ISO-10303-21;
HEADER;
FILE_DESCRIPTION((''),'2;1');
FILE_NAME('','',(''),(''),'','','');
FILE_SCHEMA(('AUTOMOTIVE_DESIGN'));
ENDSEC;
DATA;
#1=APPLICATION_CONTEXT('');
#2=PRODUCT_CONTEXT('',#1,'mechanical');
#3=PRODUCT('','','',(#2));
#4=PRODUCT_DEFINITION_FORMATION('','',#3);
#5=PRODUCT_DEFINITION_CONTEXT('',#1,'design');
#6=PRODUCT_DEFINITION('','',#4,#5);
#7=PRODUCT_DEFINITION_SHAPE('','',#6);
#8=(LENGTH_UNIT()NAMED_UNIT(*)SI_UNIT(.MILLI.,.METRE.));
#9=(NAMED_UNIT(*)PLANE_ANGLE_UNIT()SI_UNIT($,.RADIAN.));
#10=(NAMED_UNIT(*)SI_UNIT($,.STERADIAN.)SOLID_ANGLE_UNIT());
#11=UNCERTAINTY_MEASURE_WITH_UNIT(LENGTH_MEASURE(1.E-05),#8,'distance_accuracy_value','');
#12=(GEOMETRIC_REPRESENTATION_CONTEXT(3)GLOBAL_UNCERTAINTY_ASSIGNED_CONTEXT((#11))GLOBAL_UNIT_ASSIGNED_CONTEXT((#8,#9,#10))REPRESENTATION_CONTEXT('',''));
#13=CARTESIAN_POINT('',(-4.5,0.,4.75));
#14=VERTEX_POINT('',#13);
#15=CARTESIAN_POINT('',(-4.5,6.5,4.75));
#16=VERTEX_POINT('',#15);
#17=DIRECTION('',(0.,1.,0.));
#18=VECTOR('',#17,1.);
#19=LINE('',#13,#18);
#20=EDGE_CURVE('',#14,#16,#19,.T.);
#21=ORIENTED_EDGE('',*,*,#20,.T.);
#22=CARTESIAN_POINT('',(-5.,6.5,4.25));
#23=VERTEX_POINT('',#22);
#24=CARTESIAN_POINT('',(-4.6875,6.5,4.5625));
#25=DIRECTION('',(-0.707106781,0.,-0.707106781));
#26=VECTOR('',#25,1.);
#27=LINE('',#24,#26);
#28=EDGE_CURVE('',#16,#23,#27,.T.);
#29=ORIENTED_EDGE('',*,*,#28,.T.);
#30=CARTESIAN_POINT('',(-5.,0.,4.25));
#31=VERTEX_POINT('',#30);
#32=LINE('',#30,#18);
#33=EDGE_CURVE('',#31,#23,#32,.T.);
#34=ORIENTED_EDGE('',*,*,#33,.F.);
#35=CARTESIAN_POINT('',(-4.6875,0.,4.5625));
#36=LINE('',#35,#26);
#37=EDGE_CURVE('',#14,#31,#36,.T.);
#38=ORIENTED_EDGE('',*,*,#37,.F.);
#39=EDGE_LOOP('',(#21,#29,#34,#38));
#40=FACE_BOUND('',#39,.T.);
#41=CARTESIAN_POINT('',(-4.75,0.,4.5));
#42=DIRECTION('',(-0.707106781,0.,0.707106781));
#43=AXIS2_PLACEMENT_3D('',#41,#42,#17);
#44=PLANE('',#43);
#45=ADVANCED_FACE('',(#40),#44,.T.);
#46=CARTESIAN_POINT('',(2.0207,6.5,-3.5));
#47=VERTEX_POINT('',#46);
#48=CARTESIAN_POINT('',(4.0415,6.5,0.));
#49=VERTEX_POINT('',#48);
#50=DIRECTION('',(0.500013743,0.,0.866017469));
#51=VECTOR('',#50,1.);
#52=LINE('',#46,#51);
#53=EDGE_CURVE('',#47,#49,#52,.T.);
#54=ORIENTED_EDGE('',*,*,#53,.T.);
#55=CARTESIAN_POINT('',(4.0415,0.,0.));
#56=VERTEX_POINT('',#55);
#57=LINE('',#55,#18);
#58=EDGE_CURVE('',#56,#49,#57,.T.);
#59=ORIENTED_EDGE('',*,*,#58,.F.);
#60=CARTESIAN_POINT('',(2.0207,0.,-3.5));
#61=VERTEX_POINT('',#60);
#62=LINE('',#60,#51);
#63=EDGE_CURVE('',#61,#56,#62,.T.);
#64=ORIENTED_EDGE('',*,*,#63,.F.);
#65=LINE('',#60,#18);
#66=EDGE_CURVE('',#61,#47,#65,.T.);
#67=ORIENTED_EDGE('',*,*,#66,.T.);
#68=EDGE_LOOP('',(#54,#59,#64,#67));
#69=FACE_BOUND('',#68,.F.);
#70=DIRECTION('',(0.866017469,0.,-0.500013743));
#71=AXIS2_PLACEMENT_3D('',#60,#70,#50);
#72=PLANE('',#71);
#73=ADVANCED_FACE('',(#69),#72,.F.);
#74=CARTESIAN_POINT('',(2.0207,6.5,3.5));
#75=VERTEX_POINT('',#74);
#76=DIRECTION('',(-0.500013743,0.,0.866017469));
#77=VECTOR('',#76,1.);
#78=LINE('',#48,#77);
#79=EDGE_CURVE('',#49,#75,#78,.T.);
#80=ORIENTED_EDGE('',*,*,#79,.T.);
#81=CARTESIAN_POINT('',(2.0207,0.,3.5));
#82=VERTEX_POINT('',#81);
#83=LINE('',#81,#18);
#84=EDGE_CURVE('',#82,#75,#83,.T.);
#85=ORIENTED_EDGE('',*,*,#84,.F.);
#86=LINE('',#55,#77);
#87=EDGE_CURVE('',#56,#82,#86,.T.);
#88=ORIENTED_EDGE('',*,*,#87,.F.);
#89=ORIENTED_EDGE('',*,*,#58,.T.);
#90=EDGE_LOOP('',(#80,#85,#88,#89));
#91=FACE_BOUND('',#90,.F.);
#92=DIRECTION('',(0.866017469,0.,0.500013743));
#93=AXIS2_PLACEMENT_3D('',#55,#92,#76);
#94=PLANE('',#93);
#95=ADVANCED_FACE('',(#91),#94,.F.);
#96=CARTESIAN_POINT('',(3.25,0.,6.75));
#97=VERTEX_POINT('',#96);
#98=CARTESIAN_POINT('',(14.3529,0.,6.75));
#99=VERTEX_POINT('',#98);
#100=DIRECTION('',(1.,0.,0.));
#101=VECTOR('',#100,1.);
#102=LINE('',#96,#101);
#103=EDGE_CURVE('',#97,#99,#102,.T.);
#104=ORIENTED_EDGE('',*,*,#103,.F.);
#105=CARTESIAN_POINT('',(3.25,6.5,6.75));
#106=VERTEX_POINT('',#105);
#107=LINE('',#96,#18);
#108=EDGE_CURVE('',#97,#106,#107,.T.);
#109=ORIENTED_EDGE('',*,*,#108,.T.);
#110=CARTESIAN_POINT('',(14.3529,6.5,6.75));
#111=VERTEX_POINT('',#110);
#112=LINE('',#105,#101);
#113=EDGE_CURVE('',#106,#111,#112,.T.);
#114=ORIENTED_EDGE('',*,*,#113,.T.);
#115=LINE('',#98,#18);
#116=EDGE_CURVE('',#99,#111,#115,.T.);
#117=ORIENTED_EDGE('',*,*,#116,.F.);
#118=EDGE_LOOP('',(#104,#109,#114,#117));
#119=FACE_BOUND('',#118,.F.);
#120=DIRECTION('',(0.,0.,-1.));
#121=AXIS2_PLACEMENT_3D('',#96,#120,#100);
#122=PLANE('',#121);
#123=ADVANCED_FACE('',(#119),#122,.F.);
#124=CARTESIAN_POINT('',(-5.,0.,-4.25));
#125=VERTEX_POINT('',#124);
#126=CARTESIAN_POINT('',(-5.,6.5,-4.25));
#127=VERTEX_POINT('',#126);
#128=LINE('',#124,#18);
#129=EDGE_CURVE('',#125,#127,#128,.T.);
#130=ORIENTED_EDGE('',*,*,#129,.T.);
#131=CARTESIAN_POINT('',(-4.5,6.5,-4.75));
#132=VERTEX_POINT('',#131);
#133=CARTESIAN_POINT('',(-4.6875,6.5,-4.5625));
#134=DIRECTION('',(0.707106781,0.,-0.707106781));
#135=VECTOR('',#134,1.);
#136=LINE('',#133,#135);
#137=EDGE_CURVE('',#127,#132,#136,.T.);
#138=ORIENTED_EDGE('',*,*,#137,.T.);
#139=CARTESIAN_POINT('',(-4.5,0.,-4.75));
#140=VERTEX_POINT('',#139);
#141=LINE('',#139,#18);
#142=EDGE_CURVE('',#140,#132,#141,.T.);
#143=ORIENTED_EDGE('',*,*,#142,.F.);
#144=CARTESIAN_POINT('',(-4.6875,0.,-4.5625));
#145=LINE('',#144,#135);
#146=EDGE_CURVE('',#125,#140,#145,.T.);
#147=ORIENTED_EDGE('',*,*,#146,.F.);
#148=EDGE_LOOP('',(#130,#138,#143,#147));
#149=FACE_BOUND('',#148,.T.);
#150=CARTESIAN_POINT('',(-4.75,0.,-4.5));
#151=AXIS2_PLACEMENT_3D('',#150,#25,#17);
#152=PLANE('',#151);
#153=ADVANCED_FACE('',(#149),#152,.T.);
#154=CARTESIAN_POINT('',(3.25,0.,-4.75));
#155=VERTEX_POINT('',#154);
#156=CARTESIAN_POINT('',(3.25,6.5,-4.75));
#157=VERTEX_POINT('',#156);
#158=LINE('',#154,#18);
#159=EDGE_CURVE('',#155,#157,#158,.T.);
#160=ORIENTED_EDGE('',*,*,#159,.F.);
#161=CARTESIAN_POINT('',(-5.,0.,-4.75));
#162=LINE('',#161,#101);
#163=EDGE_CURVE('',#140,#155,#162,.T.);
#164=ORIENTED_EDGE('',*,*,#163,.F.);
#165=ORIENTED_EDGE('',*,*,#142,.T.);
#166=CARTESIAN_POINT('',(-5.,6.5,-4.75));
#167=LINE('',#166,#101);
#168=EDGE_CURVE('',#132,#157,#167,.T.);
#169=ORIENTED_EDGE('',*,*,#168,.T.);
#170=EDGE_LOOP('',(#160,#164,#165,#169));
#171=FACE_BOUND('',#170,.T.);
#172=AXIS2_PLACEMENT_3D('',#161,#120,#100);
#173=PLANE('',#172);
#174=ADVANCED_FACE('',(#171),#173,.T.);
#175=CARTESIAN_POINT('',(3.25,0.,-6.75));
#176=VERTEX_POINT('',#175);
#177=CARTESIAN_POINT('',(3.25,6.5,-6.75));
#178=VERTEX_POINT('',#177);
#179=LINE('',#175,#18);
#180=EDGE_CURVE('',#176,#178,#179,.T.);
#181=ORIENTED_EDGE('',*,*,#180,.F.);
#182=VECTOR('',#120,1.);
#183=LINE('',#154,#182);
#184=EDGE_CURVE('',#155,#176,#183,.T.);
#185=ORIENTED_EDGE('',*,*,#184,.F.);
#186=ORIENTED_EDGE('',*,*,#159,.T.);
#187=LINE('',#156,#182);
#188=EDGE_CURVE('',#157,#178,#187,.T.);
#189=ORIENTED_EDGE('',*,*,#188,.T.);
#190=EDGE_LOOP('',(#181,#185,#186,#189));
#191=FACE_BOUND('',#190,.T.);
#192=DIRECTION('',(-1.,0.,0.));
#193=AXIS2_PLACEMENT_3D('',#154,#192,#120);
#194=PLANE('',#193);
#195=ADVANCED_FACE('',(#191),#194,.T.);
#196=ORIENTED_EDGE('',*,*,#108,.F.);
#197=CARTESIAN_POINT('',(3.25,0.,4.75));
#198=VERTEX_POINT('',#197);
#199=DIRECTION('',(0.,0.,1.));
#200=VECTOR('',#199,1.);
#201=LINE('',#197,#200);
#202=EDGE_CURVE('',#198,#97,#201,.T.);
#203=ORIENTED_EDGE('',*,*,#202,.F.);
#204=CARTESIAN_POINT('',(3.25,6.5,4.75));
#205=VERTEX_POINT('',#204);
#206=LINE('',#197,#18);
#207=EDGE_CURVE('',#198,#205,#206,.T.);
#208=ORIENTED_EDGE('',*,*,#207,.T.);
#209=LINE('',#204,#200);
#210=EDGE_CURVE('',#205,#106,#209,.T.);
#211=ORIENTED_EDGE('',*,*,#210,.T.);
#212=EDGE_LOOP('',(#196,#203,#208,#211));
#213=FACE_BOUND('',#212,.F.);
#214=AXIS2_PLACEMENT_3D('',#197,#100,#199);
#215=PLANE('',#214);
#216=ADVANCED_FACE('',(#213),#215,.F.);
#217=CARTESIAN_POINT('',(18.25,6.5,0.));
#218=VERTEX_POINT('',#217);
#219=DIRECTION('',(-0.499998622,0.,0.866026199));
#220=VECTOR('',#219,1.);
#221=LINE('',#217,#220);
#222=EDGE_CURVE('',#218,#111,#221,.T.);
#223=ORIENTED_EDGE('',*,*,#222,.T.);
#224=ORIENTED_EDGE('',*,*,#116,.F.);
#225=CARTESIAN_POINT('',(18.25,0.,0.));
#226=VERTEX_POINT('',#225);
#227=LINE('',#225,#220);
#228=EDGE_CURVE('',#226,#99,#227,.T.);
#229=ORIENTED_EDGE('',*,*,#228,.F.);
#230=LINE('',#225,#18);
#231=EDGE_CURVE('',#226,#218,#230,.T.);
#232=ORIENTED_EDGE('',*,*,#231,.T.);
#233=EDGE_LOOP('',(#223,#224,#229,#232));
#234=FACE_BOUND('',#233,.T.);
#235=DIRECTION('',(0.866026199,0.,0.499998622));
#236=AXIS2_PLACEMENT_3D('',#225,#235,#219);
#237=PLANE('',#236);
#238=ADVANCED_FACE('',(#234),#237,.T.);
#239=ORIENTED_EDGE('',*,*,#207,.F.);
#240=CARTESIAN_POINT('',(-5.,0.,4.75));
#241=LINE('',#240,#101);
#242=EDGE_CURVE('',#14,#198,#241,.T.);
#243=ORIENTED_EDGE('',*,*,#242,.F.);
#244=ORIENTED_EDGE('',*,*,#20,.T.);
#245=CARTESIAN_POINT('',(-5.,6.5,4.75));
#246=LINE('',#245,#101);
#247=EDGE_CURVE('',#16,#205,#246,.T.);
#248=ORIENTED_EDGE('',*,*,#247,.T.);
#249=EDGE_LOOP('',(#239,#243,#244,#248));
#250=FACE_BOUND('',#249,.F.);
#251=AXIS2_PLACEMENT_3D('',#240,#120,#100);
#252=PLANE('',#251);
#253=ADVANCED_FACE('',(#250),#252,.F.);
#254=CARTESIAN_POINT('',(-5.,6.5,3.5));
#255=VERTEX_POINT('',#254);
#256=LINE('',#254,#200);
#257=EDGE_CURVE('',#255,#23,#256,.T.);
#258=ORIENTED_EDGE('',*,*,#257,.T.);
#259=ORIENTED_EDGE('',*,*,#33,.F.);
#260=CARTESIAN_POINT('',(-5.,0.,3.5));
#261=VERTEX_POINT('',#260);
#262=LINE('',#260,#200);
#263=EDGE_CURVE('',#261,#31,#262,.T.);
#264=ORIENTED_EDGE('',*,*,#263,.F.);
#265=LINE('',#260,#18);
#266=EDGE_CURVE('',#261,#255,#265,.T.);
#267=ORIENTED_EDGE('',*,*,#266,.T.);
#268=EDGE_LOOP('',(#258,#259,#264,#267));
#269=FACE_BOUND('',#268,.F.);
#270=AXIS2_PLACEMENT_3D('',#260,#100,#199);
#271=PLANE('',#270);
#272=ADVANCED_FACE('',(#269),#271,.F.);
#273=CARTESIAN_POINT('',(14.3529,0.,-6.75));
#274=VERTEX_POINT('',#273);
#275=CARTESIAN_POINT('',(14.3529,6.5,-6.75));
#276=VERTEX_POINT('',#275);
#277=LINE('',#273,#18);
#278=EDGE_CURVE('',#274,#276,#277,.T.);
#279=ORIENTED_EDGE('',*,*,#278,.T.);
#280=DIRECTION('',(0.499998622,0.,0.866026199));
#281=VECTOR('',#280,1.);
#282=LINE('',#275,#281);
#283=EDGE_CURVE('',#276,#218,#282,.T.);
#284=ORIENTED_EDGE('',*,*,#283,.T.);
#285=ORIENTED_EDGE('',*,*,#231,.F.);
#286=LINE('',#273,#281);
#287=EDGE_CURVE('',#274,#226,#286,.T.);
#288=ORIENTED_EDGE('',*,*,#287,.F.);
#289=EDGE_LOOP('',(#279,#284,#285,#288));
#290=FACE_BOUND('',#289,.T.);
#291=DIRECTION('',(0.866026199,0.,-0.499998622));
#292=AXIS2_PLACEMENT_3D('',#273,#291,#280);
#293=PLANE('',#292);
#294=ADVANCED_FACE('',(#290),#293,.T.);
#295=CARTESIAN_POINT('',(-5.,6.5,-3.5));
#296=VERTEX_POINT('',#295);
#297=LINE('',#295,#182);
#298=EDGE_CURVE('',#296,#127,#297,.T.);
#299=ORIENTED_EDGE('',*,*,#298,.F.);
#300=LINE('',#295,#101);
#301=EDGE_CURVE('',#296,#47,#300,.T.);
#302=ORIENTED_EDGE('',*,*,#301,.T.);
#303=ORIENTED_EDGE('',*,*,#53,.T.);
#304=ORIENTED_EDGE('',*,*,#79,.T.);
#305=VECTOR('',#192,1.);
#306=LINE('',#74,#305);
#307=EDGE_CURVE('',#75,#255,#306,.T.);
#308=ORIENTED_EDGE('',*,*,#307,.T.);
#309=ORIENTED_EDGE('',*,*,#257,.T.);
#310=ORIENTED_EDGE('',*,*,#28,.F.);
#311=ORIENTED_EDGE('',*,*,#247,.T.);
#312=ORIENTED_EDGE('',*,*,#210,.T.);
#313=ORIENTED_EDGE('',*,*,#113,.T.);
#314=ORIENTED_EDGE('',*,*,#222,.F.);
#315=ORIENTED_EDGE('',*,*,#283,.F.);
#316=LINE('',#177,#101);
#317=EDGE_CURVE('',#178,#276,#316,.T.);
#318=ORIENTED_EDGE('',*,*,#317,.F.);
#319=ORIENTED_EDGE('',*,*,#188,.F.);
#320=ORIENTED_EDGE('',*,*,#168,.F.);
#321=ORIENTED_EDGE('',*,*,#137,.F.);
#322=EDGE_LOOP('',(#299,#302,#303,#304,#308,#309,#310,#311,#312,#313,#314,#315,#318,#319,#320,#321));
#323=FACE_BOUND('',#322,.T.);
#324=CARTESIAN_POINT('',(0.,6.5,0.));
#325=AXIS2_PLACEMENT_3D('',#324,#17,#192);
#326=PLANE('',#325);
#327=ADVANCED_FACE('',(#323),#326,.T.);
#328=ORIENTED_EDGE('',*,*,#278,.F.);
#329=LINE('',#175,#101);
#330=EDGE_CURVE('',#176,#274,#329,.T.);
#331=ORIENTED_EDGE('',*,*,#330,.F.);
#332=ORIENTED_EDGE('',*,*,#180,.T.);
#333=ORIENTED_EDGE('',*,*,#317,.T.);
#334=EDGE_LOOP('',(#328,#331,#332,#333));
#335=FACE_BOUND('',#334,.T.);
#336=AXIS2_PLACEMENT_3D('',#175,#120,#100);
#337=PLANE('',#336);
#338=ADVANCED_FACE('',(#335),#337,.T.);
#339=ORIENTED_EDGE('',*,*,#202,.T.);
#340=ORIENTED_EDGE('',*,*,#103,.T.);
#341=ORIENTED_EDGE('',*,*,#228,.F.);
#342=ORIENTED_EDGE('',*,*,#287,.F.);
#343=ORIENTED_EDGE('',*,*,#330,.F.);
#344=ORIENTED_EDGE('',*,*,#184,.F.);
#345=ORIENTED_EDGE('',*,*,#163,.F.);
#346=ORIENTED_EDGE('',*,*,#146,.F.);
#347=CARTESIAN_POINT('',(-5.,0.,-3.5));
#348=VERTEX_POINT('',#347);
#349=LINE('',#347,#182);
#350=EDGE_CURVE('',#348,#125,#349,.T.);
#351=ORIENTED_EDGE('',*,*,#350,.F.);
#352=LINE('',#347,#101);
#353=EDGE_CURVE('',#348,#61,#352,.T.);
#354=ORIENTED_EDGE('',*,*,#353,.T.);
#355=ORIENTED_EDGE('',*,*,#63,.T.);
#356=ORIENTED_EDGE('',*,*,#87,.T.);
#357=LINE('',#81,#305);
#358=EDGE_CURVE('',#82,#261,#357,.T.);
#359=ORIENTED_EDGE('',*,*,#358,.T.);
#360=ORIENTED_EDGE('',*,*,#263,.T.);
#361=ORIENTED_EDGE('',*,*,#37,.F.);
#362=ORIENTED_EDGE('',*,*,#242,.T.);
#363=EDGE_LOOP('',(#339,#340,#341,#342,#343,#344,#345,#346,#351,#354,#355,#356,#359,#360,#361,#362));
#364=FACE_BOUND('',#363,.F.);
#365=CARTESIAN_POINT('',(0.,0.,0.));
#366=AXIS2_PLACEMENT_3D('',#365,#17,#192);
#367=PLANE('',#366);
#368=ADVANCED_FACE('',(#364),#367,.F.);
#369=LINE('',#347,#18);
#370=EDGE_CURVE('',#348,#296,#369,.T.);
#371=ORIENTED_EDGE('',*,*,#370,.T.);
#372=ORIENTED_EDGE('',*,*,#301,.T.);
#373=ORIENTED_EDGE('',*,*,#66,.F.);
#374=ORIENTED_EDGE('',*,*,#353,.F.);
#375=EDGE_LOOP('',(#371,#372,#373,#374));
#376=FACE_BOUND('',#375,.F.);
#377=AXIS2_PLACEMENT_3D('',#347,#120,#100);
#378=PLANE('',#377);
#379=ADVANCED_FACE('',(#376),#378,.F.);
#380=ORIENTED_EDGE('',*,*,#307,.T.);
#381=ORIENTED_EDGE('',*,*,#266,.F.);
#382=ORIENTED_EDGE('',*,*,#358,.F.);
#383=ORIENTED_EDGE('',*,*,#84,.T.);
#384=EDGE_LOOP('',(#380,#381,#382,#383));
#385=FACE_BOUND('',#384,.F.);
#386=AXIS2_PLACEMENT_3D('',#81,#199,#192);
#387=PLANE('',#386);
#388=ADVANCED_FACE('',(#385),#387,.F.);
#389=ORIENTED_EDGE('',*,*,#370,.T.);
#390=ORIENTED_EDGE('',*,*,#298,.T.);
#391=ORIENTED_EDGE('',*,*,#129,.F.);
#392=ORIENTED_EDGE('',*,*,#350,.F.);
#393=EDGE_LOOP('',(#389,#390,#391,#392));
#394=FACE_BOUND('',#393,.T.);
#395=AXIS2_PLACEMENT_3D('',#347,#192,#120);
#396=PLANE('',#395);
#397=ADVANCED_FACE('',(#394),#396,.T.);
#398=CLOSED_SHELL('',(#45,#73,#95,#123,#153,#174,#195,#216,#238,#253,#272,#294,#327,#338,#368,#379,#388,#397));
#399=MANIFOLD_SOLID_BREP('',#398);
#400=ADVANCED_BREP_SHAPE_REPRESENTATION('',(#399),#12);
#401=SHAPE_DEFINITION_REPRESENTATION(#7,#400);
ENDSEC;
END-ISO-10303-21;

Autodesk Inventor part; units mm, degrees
ref_plane "YZ Plane" through (0, 0, 0) normal (1, 0, 0) x (0, 1, 0)
ref_plane "XZ Plane" through (0, 0, 0) normal (0, 1, 0) x (-1, 0, 0)
ref_plane "XY Plane" through (0, 0, 0) normal (0, 0, 1) x (1, 0, 0)
sketch "Sketch1" plane through (0, 0, 0) normal (0, 1, 0) x (-1, 0, 0)
  line L0 (-2.0207, 3.5) -> (5, 3.5)
  line L1 (5, -3.5) -> (-2.0207, -3.5)
  line L2 (-2.0207, -3.5) -> (-4.0415, 0)
  line L3 (-4.0415, 0) -> (-2.0207, 3.5)
  line L4 (5, -3.5) -> (5, -4.75)
  line L5 (5, -4.75) -> (-3.25, -4.75)
  line L6 (5, 3.5) -> (5, 4.75)
  line L7 (5, 4.75) -> (-3.25, 4.75)
  line L8 (-3.25, -4.75) -> (-3.25, -6.75)
  line L9 (-3.25, 4.75) -> (-3.25, 6.75)
  line L10 (-3.25, -6.75) -> (-14.3529, -6.75)
  line L11 (-14.3529, -6.75) -> (-18.25, 0)
  line L12 (-18.25, 0) -> (-14.3529, 6.75)
  line L13 (-3.25, 6.75) -> (-14.3529, 6.75)
  point P0 (0, 0)
  point P1 (0, 0)
  dimension "d1" = 7
  dimension "d2" = 9.5
  dimension "d3" = 5
  dimension "d4" = 3.25
  dimension "d5" = 15
  dimension "d6" = 2
extrude "Extrusion1" add sketch "Sketch1" along normal blind 6.5
chamfer "Chamfer1" distance 0.5 angle 45 2 edges at (-5, 3.25, -4.75) (-5, 3.25, 4.75)
properties part number "nut_tool" material "Plywood, Finish"
